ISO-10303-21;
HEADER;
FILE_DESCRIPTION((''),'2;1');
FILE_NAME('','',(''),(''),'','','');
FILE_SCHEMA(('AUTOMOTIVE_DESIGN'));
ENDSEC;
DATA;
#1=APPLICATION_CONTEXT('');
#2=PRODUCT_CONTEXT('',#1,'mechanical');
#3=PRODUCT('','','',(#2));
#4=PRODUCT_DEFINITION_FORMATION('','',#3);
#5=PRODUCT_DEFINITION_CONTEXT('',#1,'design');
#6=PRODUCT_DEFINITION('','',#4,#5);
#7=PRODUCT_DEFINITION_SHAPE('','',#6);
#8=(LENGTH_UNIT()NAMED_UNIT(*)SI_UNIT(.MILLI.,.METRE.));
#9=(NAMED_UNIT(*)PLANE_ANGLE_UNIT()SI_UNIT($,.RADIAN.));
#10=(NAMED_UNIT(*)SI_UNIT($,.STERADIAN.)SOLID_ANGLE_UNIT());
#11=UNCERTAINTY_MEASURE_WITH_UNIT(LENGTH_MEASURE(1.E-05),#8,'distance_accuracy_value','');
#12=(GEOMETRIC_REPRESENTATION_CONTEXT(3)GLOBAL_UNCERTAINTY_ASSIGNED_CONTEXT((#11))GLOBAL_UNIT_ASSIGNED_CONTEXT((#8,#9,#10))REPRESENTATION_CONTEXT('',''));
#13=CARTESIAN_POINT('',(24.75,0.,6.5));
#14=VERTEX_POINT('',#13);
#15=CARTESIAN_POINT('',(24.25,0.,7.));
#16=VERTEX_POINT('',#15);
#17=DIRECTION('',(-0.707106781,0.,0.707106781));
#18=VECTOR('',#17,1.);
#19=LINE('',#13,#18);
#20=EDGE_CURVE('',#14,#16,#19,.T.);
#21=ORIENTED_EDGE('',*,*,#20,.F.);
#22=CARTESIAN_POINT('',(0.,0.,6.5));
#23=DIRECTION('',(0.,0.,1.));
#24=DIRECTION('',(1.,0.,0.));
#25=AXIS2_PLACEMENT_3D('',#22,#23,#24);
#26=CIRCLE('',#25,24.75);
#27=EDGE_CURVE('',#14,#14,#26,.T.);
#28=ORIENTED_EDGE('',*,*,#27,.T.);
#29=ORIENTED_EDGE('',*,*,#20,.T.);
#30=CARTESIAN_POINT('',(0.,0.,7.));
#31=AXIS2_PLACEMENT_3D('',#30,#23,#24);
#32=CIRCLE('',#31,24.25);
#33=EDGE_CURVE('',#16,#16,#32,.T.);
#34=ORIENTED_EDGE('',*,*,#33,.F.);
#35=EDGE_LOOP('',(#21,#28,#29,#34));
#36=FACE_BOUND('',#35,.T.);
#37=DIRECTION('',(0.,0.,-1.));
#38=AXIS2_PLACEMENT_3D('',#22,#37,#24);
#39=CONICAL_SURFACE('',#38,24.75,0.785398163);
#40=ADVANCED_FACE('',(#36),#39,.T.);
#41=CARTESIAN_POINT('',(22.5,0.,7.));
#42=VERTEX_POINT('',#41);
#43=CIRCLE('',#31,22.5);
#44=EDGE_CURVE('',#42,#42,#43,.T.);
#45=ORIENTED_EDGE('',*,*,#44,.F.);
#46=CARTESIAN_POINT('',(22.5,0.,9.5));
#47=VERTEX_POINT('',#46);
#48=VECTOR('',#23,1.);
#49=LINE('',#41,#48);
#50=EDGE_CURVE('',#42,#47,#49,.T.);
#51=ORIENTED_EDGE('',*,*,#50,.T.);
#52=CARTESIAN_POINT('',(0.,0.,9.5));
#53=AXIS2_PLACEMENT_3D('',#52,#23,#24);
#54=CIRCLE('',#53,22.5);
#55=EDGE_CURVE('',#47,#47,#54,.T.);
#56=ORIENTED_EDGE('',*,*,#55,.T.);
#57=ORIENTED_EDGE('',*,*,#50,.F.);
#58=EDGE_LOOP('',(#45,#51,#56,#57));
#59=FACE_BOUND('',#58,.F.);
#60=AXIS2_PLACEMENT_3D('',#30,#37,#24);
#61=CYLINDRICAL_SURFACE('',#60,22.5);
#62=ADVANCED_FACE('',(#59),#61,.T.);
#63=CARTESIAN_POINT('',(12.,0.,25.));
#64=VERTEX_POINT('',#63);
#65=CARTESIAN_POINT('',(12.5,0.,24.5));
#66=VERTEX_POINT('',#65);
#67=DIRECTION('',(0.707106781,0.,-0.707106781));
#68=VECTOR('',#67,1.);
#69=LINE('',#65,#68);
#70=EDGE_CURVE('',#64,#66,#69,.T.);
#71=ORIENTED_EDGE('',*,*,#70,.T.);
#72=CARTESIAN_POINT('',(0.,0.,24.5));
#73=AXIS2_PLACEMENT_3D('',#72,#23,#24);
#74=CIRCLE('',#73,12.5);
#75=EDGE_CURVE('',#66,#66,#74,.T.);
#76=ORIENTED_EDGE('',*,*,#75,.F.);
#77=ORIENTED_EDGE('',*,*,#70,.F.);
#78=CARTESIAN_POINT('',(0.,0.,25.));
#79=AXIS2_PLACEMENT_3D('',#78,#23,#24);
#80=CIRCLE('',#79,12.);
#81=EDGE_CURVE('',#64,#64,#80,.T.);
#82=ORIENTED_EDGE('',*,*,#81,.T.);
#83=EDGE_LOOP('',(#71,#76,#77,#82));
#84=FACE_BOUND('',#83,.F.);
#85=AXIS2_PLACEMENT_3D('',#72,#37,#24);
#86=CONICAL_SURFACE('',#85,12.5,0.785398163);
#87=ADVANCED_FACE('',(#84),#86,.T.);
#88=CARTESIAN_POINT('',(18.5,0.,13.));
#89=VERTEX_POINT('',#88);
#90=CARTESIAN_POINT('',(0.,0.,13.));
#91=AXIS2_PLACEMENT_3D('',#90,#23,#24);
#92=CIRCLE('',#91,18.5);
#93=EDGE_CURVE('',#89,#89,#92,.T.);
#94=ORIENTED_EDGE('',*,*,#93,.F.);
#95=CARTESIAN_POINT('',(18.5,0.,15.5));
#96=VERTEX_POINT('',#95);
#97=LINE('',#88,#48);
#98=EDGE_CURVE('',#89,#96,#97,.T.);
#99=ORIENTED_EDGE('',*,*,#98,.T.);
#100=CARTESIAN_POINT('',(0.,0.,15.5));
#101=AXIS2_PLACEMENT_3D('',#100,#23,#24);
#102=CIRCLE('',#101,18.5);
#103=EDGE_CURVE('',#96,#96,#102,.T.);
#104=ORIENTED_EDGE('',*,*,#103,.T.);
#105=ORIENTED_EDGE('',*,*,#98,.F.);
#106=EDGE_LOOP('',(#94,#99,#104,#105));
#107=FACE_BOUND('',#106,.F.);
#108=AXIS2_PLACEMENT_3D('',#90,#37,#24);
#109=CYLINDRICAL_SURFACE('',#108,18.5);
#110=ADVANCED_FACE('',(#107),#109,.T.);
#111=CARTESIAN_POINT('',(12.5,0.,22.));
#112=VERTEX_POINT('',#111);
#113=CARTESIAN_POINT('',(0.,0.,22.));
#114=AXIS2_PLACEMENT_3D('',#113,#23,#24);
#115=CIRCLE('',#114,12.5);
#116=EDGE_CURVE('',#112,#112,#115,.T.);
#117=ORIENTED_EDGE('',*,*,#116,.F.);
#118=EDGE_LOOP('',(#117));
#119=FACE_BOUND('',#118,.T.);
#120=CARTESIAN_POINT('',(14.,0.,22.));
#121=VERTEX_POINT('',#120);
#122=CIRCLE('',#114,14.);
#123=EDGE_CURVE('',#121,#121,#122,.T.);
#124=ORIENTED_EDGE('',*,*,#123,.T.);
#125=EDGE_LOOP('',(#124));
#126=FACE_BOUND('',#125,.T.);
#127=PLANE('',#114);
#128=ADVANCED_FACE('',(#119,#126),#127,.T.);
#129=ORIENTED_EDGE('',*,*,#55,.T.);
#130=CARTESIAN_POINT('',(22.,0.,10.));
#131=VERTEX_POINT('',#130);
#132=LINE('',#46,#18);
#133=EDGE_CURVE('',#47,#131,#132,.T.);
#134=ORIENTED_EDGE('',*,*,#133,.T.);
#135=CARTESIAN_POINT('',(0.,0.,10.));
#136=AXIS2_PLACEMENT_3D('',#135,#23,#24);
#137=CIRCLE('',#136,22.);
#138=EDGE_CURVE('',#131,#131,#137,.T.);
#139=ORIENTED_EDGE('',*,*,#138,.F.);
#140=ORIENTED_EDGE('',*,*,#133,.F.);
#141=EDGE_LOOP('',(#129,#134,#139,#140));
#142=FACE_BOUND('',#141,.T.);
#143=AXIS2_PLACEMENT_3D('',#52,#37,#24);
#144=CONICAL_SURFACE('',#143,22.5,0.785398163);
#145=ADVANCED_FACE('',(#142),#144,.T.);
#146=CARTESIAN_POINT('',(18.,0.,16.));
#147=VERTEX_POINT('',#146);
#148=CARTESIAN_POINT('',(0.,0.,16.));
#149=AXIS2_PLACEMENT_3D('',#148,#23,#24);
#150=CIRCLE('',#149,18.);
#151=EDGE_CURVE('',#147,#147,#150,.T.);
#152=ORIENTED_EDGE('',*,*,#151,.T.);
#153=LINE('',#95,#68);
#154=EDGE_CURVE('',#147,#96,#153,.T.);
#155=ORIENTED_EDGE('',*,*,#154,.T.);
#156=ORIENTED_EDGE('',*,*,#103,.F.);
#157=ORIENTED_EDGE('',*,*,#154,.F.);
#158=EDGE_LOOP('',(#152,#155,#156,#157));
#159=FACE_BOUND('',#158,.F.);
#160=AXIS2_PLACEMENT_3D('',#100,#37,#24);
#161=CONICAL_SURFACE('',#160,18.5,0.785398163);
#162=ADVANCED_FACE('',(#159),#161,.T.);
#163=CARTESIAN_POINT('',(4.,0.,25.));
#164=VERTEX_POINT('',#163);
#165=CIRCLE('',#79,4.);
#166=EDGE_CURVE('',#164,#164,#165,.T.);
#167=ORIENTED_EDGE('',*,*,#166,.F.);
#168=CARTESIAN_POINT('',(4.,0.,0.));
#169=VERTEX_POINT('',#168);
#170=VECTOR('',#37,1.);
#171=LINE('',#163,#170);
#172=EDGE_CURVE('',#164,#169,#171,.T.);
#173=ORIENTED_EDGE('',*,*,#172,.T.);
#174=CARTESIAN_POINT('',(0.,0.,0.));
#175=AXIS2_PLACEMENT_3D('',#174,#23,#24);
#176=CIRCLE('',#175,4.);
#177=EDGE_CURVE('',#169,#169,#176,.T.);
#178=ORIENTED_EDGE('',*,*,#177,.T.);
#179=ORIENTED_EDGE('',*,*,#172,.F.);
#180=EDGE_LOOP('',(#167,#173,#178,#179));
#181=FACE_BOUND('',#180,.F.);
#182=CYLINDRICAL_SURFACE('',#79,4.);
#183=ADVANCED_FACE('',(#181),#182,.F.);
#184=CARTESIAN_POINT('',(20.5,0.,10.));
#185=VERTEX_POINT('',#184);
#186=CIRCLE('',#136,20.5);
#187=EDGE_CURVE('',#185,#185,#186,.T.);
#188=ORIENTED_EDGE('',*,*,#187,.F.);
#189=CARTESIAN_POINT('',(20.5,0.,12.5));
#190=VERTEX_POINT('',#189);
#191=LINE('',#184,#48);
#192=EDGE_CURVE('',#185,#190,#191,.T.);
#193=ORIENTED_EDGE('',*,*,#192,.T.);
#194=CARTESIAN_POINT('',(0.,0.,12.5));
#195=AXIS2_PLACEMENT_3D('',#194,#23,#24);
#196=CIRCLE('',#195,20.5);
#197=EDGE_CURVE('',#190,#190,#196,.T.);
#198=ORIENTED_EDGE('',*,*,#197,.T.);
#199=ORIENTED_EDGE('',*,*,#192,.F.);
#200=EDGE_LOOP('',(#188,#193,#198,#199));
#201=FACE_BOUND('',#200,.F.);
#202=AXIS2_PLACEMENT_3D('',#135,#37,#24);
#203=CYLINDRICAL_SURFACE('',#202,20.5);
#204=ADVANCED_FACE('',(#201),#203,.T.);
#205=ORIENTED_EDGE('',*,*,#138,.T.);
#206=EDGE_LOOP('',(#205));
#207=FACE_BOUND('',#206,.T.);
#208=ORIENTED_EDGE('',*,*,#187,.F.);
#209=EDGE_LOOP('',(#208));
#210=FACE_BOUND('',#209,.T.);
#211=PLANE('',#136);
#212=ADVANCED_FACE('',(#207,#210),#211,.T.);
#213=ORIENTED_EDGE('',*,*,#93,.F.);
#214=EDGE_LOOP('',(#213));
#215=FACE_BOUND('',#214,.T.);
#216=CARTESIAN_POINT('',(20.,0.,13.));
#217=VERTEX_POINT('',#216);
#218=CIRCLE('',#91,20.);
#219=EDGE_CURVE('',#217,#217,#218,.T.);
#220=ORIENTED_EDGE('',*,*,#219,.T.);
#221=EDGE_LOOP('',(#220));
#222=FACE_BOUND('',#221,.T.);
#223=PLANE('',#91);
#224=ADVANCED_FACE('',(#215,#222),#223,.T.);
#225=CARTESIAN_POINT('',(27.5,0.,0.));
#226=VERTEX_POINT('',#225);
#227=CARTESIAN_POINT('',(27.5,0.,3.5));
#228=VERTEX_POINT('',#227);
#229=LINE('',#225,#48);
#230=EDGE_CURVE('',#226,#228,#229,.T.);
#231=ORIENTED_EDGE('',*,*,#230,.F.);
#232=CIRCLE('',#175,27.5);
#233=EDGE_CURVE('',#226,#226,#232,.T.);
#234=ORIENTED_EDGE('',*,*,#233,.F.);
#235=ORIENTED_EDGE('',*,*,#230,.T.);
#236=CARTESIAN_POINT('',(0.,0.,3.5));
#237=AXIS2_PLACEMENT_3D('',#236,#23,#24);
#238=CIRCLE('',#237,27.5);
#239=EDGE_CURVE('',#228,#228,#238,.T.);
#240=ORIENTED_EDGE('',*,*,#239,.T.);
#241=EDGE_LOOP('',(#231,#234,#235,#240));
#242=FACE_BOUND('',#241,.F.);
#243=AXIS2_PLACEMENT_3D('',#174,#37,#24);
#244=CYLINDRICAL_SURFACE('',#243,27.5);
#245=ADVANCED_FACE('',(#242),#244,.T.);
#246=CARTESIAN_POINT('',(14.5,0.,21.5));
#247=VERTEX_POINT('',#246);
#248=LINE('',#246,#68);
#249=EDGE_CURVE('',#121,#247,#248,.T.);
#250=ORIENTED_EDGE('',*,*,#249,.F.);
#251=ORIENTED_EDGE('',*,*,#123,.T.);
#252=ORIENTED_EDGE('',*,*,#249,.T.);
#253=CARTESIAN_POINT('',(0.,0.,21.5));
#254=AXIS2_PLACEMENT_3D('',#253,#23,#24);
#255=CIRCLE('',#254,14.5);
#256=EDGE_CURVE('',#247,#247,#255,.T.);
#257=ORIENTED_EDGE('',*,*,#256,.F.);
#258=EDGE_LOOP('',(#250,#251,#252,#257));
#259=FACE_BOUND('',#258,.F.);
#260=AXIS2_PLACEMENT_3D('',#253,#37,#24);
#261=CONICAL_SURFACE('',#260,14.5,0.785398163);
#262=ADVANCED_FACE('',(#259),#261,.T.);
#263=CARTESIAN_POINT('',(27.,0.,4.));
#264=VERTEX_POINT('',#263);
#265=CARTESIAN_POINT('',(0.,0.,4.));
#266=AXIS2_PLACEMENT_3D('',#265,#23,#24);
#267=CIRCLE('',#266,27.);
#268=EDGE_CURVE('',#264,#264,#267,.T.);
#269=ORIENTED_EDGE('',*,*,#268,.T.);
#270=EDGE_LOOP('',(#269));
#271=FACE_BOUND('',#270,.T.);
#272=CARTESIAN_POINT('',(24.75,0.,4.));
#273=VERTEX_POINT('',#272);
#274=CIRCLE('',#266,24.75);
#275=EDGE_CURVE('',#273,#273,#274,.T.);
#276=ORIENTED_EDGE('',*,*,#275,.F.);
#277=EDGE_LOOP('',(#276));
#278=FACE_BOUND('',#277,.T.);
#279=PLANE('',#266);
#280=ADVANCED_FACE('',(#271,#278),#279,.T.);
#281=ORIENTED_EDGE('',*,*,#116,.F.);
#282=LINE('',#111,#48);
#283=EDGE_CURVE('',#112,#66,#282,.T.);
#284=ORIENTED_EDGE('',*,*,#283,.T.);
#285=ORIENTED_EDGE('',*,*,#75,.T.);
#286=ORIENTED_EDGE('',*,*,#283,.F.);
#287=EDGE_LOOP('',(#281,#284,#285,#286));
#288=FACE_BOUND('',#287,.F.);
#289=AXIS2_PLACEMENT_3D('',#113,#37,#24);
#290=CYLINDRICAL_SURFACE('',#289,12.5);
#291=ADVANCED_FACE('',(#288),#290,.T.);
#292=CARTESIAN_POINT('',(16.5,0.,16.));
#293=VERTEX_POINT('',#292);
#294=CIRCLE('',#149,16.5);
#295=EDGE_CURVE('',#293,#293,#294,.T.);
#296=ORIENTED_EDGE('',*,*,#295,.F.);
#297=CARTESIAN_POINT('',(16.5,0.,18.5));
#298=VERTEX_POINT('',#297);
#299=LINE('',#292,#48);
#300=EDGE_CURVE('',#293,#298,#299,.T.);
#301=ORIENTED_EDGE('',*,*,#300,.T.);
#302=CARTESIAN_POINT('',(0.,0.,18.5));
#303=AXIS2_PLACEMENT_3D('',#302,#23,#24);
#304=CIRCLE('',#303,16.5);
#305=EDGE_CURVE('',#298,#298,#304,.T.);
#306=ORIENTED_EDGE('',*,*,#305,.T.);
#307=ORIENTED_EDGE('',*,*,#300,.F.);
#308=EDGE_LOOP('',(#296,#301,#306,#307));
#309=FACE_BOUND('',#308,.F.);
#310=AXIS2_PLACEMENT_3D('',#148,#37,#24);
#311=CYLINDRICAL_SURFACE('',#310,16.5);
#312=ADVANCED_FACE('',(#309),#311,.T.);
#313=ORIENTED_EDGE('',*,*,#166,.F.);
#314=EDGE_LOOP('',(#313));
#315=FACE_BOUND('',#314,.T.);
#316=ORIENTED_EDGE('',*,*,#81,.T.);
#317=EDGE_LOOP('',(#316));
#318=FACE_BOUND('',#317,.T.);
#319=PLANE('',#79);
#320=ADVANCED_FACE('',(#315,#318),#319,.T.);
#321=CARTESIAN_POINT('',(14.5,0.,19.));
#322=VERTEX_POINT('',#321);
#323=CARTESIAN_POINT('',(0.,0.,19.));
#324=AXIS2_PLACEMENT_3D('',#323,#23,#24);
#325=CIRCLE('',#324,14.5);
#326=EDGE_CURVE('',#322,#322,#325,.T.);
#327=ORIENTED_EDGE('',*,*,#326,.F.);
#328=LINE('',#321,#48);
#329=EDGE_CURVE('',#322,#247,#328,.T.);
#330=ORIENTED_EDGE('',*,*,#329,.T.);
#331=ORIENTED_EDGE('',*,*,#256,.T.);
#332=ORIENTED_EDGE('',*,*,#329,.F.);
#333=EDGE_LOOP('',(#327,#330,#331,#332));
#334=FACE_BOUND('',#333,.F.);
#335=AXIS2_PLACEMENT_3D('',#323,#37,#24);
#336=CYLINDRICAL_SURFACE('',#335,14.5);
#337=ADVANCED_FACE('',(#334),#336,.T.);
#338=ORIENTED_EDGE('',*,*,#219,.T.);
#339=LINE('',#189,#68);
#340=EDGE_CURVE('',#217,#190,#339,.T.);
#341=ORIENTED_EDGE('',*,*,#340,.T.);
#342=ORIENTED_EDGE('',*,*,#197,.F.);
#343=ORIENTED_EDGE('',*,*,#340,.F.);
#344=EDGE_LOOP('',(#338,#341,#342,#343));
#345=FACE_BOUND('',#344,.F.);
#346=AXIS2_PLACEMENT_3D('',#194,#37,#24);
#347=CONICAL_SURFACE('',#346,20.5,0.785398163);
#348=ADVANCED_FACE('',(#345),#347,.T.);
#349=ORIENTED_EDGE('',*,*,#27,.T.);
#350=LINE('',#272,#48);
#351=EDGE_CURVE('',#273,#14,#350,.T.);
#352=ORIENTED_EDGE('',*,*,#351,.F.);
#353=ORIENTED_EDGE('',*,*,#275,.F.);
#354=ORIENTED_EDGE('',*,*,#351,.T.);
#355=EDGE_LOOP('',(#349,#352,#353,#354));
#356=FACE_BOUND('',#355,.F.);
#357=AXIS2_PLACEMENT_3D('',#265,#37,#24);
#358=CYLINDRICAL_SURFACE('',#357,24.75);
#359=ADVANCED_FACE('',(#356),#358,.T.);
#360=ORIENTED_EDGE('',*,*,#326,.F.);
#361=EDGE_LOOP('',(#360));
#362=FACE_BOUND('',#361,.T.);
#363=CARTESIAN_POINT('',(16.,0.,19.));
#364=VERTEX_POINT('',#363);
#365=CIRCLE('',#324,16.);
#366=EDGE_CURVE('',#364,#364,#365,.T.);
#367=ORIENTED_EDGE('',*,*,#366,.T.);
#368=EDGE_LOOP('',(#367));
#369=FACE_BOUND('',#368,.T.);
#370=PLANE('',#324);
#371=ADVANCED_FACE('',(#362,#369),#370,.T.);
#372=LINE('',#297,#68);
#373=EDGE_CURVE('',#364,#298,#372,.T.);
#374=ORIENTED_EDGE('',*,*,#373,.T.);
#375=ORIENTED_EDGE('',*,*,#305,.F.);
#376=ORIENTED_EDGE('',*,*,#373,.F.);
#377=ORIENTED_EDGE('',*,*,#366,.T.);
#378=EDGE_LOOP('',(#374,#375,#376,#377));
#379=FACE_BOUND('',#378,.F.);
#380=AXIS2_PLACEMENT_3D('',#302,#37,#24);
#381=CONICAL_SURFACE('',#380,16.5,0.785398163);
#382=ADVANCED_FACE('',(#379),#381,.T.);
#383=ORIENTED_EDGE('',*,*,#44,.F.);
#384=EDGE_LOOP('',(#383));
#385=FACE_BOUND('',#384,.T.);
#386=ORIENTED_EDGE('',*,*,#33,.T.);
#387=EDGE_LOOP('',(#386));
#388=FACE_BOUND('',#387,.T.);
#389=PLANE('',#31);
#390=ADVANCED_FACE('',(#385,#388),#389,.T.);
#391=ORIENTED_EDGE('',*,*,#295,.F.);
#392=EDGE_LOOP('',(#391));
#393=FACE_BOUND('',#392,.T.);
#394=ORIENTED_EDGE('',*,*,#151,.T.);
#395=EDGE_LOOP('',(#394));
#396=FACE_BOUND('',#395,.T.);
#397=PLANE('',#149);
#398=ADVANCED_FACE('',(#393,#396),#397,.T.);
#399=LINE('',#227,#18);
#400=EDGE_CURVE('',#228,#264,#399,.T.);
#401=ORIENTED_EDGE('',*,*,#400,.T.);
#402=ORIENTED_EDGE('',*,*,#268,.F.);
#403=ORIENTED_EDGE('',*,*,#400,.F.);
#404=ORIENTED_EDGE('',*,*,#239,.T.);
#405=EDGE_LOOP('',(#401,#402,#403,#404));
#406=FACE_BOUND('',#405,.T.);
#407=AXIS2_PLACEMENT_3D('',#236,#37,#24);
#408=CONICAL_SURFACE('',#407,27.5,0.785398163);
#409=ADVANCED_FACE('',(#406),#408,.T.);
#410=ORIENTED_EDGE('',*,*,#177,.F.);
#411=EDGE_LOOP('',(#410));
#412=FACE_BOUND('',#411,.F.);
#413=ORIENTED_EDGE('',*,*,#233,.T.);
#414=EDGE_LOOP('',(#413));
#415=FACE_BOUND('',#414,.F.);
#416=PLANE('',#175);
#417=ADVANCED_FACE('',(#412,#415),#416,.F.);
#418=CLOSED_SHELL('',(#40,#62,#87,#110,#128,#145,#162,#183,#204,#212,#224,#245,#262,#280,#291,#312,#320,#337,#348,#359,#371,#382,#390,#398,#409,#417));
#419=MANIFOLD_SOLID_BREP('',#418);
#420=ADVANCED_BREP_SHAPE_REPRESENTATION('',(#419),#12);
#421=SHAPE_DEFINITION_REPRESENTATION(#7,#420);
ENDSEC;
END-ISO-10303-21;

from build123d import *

# Parameters (mm, degrees)
F0_R      = 27.5
F1_DEPTH  = 4
F2_R      = 24.75
F3_DEPTH  = 3
F4_R      = 22.5
F5_DEPTH  = 3
F6_R      = 20.5
F7_DEPTH  = 3
F8_R      = 18.5
F9_DEPTH  = 3
F10_R     = 16.5
F11_DEPTH = 3
F12_R     = 14.5
F13_DEPTH = 3
F14_R     = 12.5
F15_DEPTH = 3
F16_R     = 4
F17_DEPTH = 35
F18_SIZE  = 0.5
F19_SIZE  = 0.5


with BuildPart() as f1:
    # F0 (on Top) → F1 (new body)
    with BuildSketch(Plane.XY):
        Circle(F0_R)
    extrude(amount=F1_DEPTH)

    # F2 (on face) → F3 (join)
    with BuildSketch(Plane.XY.offset(4)):
        Circle(F2_R)
    extrude(amount=F3_DEPTH)

    # F4 (on face) → F5 (join)
    with BuildSketch(Plane.XY.offset(7)):
        Circle(F4_R)
    extrude(amount=F5_DEPTH)

    # F6 (on face) → F7 (join)
    with BuildSketch(Plane.XY.offset(10)):
        Circle(F6_R)
    extrude(amount=F7_DEPTH)

    # F8 (on face) → F9 (join)
    with BuildSketch(Plane.XY.offset(13)):
        Circle(F8_R)
    extrude(amount=F9_DEPTH)

    # F10 (on face) → F11 (join)
    with BuildSketch(Plane.XY.offset(16)):
        Circle(F10_R)
    extrude(amount=F11_DEPTH)

    # F12 (on face) → F13 (join)
    with BuildSketch(Plane.XY.offset(19)):
        Circle(F12_R)
    extrude(amount=F13_DEPTH)

    # F14 (on face) → F15 (join)
    with BuildSketch(Plane.XY.offset(22)):
        Circle(F14_R)
    extrude(amount=F15_DEPTH)

    # F16 (on face) → F17 (cut)
    with BuildSketch(Plane.XY.offset(25)):
        Circle(F16_R)
    extrude(amount=-F17_DEPTH, mode=Mode.SUBTRACT)

    # F18
    f18_edges = [f1.edges().sort_by_distance(p)[0] for p in [
        (-12.5, 0, 25),
    ]]
    chamfer(f18_edges, length=F18_SIZE)

    # F19
    f19_edges = [f1.edges().sort_by_distance(p)[0] for p in [
        (-14.5, 0, 22),
        (-16.5, 0, 19),
        (-18.5, 0, 16),
        (-20.5, 0, 13),
        (-22.5, 0, 10),
        (-24.75, 0, 7),
        (-27.5, 0, 4),
    ]]
    chamfer(f19_edges, length=F19_SIZE)


solid = f1.part
